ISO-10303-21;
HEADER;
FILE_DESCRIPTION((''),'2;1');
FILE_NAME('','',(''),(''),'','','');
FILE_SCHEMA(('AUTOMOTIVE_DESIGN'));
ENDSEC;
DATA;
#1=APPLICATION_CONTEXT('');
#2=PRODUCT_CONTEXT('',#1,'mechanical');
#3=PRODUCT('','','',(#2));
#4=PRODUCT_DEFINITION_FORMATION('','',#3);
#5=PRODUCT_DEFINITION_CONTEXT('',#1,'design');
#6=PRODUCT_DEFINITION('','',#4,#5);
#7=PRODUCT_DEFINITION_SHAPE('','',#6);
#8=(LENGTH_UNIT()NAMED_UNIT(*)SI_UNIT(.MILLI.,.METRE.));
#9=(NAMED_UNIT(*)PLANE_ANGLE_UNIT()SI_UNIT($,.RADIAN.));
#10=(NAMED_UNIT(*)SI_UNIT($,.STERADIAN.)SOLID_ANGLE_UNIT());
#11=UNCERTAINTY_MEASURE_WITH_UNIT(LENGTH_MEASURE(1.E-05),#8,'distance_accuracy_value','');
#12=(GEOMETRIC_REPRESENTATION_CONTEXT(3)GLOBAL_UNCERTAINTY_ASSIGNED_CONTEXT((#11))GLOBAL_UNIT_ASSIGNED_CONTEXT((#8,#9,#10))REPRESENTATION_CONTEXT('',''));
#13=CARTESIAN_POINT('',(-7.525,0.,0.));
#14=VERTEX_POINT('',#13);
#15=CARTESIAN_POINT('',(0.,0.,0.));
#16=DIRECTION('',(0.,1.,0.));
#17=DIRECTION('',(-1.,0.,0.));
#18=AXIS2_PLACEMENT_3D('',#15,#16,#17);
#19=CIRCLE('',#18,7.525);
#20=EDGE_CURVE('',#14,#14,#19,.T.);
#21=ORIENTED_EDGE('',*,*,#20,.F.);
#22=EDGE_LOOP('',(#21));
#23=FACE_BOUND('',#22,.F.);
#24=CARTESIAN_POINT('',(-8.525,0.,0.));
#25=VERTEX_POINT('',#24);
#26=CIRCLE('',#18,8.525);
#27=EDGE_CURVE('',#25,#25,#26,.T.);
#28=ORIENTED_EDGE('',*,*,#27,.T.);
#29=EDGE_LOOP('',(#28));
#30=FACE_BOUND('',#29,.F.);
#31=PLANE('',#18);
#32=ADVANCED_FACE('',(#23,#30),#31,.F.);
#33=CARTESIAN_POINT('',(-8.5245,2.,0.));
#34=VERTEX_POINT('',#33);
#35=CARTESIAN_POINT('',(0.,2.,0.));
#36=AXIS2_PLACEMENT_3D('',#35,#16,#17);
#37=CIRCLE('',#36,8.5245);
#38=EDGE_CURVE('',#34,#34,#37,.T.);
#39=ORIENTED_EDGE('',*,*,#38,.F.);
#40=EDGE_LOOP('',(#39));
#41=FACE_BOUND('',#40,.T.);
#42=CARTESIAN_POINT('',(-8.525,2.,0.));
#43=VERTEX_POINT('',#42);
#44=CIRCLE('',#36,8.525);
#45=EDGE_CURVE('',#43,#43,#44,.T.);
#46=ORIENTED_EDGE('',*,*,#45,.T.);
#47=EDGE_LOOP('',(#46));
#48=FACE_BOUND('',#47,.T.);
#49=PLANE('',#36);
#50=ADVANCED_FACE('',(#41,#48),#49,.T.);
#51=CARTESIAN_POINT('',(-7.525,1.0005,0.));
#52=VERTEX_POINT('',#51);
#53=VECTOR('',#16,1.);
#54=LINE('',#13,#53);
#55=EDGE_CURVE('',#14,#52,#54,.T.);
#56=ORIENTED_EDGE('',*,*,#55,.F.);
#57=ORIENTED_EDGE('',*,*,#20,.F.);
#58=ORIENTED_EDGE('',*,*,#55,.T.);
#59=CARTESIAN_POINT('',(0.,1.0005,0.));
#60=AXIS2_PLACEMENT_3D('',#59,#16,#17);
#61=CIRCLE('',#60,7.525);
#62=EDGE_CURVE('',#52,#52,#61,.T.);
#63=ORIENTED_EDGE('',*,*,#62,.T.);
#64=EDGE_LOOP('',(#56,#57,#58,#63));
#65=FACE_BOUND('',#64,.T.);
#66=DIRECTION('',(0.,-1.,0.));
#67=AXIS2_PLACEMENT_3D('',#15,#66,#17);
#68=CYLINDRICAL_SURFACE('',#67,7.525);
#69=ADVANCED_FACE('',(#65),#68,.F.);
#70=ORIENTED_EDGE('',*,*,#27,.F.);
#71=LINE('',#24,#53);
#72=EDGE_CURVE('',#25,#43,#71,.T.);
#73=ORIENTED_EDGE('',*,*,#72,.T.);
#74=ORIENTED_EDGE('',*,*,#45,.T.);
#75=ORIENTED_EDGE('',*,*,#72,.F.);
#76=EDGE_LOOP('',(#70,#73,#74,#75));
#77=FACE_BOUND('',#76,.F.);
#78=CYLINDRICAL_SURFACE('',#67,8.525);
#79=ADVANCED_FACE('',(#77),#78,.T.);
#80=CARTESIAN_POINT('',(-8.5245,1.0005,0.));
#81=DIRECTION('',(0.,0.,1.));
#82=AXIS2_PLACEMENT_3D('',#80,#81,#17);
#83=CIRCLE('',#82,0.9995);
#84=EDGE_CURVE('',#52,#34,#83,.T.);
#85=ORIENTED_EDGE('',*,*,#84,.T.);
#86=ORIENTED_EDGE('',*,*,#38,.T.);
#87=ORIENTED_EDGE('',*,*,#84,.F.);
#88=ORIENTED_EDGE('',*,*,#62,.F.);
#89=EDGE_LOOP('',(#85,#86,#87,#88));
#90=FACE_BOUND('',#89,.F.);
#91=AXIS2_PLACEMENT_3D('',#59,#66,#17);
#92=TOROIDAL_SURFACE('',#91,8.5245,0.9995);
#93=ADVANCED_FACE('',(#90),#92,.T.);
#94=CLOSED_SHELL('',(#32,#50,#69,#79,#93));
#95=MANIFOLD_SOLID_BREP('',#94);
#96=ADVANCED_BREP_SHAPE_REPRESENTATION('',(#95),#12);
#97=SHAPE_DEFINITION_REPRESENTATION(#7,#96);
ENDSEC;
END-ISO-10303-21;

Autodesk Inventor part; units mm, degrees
ref_plane "YZ Plane" through (0, 0, 0) normal (1, 0, 0) x (0, 1, 0)
ref_plane "XZ Plane" through (0, 0, 0) normal (0, 1, 0) x (-1, 0, 0)
ref_plane "XY Plane" through (0, 0, 0) normal (0, 0, 1) x (1, 0, 0)
sketch "Sketch1" plane through (0, 0, 0) normal (0, 1, 0) x (-1, 0, 0)
  circle A0 centre (0, 0) radius 7.525
  circle A1 centre (0, 0) radius 8.525
  dimension "d0" = 15.05
  dimension "d1" = 1
extrude "Extrusion1" add sketch "Sketch1" along normal blind 2
fillet "Fillet1" radius 1 1 edges at (7.525, 2, 0)
properties part number "circular_clip"
